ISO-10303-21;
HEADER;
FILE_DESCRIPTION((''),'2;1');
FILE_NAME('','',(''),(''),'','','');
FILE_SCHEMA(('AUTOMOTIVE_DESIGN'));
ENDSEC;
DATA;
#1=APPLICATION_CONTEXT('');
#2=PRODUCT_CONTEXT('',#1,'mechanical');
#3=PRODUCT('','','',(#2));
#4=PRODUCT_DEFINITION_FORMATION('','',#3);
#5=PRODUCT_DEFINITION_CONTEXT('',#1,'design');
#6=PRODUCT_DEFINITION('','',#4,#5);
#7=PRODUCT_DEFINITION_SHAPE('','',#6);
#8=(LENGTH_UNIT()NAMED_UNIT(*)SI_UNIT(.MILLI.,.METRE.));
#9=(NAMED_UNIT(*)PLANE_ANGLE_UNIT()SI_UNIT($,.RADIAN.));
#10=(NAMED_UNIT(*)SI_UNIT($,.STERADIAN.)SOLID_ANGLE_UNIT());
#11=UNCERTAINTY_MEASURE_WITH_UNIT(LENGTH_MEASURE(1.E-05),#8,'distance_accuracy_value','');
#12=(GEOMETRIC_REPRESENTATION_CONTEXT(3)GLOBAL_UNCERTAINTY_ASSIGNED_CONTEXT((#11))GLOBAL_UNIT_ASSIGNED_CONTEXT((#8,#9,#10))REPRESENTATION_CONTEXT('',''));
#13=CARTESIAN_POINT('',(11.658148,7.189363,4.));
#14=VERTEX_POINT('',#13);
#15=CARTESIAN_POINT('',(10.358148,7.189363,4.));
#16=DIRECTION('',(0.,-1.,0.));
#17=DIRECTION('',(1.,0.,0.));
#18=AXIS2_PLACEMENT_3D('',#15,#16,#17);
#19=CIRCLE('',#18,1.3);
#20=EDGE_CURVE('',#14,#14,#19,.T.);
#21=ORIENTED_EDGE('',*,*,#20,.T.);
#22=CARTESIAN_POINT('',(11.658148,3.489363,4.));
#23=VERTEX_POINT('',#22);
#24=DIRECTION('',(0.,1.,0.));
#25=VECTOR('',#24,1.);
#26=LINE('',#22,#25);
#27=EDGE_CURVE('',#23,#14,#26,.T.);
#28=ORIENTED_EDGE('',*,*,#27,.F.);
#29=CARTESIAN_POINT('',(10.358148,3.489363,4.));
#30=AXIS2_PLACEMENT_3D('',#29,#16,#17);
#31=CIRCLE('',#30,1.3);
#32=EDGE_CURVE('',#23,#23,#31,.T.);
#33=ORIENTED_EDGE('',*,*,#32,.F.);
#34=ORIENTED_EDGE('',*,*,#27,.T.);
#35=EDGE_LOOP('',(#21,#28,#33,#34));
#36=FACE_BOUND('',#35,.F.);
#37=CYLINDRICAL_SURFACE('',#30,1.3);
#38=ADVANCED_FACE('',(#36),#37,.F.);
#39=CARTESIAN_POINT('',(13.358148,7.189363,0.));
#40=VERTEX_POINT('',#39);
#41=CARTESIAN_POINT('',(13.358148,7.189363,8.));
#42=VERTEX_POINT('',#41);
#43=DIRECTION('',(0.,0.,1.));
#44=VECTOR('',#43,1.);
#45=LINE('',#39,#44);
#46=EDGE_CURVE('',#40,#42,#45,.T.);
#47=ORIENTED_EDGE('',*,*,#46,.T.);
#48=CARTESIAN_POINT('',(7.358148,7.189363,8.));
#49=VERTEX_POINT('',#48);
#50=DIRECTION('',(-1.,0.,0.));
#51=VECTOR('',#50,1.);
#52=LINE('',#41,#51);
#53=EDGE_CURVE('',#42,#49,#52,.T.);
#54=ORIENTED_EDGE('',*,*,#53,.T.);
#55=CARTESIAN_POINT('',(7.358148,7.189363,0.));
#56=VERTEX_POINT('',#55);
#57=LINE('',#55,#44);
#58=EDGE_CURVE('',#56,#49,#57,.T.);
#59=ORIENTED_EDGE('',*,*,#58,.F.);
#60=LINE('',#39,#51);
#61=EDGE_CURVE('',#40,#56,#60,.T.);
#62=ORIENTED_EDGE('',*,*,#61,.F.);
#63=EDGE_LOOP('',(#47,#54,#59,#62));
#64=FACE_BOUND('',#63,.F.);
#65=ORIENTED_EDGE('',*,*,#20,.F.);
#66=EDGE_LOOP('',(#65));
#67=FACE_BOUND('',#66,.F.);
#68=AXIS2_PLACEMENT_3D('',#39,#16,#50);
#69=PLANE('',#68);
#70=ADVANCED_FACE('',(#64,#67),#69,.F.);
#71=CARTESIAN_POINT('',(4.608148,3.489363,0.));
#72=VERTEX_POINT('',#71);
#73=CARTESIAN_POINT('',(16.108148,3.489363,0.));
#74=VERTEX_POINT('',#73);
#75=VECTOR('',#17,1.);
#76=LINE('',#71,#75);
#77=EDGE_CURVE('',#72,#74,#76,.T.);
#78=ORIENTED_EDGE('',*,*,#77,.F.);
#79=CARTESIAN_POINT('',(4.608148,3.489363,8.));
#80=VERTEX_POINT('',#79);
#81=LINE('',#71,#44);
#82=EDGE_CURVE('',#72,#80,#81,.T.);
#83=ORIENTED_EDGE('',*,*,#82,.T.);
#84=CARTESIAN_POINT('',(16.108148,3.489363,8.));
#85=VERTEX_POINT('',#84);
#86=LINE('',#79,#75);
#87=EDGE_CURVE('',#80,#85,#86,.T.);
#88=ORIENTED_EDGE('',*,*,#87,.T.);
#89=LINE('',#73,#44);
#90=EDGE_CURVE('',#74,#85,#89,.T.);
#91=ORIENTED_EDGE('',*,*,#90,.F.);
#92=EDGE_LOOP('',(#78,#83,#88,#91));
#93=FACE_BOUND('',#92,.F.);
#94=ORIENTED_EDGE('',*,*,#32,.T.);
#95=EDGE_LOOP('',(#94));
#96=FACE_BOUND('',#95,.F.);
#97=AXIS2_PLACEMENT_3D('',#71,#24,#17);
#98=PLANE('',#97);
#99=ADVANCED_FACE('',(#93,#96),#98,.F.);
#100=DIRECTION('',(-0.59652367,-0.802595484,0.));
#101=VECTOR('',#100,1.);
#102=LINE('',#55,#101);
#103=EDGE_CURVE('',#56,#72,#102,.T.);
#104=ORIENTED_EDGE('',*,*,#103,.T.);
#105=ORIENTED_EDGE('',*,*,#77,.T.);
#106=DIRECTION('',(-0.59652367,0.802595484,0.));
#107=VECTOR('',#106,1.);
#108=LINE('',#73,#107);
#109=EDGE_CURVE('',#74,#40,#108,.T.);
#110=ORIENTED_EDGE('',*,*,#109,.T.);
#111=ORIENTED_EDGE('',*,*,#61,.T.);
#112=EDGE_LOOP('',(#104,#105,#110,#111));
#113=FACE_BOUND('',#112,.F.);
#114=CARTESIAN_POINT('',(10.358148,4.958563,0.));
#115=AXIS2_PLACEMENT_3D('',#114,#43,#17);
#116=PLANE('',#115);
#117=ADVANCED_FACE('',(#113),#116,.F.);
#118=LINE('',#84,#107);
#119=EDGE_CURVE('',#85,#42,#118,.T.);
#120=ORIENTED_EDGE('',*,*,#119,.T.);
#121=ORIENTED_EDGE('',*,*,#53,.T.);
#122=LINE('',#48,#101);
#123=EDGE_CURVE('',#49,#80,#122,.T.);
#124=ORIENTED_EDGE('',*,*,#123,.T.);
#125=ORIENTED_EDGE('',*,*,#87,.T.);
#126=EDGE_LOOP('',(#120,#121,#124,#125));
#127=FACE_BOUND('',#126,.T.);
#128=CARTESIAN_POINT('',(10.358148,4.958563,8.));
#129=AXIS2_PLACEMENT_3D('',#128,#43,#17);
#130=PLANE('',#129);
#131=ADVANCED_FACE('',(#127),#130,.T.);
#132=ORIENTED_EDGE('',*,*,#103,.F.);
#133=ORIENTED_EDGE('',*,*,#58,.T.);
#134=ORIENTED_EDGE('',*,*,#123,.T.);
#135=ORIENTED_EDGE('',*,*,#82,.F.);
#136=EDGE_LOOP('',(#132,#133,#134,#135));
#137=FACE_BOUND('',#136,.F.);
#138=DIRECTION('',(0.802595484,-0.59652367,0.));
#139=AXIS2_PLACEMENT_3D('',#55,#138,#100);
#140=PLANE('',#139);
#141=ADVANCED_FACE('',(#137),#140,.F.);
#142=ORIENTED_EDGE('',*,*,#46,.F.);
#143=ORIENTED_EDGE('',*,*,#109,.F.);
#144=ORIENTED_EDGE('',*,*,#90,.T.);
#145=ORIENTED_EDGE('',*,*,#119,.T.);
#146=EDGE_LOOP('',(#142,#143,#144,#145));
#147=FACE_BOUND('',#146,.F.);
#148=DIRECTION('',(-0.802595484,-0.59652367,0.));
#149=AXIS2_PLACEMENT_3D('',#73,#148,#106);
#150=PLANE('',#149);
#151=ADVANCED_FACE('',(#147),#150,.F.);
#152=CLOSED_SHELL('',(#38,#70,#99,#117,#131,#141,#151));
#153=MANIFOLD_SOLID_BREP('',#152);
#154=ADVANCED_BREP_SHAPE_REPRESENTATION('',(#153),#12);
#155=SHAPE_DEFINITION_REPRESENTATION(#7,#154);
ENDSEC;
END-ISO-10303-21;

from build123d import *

# Parameters (mm, degrees)
F1_DEPTH = 8
F2_R     = 1.3
F3_DEPTH = 3.701


with BuildPart() as f1:
    # F0 (on Top) → F1 (new body)
    with BuildSketch(Plane.XY):
        Polygon((7.358148, 7.189363), (4.608148, 3.489363), (16.108148, 3.489363), (13.358148, 7.189363), align=None)
    extrude(amount=F1_DEPTH)

    # F2 (on face) → F3 (cut, through all)
    with BuildSketch(Plane.XZ.offset(-3.489363)):
        with Locations((10.358148, 4)):
            Circle(F2_R)
    extrude(amount=-F3_DEPTH, mode=Mode.SUBTRACT)


solid = f1.part
